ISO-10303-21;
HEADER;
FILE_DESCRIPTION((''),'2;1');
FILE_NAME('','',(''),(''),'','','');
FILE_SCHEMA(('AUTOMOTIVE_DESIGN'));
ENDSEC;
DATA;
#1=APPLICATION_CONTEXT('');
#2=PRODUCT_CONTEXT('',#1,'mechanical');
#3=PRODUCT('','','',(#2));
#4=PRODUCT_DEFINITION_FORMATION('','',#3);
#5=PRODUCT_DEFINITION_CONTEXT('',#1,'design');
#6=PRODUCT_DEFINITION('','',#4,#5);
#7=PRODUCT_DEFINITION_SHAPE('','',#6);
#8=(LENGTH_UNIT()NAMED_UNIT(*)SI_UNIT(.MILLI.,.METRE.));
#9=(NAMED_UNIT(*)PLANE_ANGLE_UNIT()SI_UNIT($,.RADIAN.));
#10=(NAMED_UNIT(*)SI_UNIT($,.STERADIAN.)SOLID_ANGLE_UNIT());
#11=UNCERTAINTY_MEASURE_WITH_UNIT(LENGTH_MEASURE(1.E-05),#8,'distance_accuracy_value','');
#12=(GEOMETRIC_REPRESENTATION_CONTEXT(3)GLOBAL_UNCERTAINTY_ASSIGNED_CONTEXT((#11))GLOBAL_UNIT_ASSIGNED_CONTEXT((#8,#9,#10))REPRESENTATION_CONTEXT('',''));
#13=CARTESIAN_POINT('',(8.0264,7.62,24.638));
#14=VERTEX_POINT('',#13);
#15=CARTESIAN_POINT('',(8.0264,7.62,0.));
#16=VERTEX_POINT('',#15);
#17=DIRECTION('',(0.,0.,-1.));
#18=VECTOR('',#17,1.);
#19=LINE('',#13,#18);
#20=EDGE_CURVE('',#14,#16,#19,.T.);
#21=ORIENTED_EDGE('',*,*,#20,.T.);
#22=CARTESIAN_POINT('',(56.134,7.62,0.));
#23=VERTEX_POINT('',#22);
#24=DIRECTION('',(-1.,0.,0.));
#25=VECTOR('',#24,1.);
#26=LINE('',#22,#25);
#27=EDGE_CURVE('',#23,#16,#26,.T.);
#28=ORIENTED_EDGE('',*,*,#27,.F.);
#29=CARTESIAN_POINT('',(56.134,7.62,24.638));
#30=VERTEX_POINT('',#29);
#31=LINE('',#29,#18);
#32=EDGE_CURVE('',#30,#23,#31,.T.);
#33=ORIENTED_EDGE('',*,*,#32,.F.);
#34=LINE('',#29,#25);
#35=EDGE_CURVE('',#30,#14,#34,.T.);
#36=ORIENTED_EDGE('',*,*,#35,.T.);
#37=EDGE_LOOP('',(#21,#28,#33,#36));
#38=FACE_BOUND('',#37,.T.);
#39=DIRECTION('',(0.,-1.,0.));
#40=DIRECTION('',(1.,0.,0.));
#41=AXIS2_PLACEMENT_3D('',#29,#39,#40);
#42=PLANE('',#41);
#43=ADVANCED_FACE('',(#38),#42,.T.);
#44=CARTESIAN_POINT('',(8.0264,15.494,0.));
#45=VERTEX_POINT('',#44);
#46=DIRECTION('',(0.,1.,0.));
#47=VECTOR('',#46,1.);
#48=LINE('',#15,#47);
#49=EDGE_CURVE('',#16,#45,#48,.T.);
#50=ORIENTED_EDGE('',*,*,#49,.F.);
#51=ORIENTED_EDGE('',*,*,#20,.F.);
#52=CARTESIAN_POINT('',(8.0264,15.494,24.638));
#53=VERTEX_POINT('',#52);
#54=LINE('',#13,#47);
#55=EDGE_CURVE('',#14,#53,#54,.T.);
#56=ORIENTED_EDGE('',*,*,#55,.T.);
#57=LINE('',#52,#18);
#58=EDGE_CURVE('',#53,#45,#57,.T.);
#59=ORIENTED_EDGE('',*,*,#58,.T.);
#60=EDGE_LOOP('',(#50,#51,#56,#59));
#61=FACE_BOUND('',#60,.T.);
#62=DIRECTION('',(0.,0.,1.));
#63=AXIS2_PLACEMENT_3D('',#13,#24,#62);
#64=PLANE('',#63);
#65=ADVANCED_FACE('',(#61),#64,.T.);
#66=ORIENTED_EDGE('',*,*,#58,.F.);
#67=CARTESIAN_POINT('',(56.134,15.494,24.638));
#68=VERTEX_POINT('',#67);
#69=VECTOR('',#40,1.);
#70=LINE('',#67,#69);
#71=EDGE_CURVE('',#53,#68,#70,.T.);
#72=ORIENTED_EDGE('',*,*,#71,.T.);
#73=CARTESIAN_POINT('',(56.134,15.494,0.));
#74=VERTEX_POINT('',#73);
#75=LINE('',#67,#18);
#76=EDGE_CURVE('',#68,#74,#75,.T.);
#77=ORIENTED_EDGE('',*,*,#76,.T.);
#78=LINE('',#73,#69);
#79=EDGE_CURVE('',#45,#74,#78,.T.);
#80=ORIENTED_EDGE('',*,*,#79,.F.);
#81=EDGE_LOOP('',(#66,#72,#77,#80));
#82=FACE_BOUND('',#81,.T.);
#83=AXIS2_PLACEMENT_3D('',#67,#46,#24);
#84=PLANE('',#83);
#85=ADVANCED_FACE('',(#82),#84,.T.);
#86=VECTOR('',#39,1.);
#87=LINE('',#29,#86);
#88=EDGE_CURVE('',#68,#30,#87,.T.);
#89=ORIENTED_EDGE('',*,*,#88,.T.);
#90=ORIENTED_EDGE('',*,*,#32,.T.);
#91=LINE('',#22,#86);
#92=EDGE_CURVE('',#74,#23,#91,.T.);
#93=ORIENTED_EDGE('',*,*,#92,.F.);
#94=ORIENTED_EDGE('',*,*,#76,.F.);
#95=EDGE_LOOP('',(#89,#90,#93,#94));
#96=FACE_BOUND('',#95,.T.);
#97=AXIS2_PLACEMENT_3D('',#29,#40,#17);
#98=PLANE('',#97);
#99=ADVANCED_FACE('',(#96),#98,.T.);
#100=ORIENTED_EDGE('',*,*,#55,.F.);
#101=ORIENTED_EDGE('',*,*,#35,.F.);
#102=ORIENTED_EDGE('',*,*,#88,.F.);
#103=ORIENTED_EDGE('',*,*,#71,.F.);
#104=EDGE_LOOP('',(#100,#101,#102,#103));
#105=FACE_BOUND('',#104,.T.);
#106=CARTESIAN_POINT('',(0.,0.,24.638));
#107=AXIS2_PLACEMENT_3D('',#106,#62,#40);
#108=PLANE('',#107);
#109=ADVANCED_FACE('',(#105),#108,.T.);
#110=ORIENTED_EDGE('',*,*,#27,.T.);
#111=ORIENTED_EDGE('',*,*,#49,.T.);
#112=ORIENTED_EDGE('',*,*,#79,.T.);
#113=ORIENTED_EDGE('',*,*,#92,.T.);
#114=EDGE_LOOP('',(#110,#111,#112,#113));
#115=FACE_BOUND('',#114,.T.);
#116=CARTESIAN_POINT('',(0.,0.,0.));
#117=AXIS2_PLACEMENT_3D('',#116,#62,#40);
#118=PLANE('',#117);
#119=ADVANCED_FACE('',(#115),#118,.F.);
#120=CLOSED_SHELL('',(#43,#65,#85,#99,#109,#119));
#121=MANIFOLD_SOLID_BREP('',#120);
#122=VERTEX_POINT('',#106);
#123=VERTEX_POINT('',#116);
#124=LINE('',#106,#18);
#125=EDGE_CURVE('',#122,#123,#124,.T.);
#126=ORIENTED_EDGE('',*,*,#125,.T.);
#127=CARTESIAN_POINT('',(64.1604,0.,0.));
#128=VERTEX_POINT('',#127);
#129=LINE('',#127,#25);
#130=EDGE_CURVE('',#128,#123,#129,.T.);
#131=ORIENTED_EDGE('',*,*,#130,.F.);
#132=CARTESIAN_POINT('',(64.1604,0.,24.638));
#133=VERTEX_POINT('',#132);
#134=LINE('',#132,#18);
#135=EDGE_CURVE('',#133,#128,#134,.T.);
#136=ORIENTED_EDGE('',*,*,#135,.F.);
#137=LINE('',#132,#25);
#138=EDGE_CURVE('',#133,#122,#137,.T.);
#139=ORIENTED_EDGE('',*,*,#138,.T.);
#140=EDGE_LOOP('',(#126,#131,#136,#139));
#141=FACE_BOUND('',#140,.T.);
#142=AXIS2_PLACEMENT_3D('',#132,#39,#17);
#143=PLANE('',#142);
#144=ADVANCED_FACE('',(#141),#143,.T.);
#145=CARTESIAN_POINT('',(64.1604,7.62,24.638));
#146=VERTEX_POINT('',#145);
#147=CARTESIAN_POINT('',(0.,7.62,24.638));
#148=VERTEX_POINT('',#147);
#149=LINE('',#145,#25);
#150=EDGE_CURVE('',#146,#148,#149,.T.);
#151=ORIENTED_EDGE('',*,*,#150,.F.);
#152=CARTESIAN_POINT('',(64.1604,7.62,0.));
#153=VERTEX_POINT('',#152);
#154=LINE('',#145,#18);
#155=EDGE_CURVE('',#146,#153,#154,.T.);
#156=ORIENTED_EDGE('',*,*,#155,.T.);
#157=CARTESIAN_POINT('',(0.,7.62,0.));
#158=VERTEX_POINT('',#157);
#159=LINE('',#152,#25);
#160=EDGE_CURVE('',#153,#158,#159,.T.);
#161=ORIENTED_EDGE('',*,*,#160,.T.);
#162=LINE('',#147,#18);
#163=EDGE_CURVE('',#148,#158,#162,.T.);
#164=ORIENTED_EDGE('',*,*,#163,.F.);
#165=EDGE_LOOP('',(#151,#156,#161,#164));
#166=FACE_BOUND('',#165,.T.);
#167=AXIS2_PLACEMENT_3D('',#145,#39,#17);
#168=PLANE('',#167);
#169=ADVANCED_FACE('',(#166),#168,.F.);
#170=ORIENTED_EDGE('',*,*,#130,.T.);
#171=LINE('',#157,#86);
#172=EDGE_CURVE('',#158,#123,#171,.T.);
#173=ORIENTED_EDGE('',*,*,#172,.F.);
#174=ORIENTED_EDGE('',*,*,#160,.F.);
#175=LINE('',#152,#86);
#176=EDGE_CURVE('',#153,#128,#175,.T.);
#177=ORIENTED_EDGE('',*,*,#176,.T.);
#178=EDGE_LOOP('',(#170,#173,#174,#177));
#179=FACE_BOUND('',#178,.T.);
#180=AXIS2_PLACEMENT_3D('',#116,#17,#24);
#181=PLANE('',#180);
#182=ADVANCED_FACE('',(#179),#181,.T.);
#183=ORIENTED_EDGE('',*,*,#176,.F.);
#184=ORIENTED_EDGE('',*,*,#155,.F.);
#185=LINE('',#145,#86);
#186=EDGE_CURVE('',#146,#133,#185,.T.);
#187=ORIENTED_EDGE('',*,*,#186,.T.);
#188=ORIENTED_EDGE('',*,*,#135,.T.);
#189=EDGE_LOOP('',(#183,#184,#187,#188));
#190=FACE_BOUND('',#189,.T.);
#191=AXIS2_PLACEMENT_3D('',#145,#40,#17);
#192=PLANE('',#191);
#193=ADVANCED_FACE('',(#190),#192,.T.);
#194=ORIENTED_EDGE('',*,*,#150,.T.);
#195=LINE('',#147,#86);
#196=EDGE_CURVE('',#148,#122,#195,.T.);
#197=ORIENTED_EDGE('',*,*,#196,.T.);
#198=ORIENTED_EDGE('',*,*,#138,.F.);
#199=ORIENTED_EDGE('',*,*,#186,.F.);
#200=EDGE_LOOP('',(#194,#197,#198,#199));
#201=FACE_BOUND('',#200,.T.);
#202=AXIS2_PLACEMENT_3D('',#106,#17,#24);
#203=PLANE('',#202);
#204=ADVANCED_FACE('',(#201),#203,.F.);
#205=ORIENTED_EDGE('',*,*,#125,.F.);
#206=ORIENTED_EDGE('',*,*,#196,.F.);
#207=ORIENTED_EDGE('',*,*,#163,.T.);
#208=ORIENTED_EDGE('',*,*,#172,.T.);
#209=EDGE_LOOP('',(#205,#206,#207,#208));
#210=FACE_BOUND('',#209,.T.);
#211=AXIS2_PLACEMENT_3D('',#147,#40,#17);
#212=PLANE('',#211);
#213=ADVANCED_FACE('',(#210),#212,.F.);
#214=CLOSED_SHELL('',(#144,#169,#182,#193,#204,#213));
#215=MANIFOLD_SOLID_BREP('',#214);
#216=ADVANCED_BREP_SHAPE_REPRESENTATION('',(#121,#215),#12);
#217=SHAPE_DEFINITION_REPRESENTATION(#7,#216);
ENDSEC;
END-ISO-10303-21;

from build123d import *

# Parameters (mm, degrees)
SKETCH1_W           = 64.1604
SKETCH1_H           = 7.62
BOSS_EXTRUDE1_DEPTH = 24.638
SKETCH2_W           = 48.1076
SKETCH2_H           = 7.874
BOSS_EXTRUDE2_DEPTH = 24.638


with BuildPart() as part:
    # Sketch1 → Boss-Extrude1 (new body)
    with BuildSketch(Plane.XY):
        with Locations((32.0802, 3.81)):
            Rectangle(SKETCH1_W, SKETCH1_H)
    extrude(amount=BOSS_EXTRUDE1_DEPTH)


with BuildPart() as body_2:
    # Sketch2 → Boss-Extrude2 (new body)
    with BuildSketch(Plane(origin=(0, 0, 0), x_dir=(-1, 0, 0), z_dir=(0, 0, -1))):
        with Locations((-32.0802, 11.557)):
            Rectangle(SKETCH2_W, SKETCH2_H)
    extrude(amount=-BOSS_EXTRUDE2_DEPTH)


solid = Compound([part.part, body_2.part])
